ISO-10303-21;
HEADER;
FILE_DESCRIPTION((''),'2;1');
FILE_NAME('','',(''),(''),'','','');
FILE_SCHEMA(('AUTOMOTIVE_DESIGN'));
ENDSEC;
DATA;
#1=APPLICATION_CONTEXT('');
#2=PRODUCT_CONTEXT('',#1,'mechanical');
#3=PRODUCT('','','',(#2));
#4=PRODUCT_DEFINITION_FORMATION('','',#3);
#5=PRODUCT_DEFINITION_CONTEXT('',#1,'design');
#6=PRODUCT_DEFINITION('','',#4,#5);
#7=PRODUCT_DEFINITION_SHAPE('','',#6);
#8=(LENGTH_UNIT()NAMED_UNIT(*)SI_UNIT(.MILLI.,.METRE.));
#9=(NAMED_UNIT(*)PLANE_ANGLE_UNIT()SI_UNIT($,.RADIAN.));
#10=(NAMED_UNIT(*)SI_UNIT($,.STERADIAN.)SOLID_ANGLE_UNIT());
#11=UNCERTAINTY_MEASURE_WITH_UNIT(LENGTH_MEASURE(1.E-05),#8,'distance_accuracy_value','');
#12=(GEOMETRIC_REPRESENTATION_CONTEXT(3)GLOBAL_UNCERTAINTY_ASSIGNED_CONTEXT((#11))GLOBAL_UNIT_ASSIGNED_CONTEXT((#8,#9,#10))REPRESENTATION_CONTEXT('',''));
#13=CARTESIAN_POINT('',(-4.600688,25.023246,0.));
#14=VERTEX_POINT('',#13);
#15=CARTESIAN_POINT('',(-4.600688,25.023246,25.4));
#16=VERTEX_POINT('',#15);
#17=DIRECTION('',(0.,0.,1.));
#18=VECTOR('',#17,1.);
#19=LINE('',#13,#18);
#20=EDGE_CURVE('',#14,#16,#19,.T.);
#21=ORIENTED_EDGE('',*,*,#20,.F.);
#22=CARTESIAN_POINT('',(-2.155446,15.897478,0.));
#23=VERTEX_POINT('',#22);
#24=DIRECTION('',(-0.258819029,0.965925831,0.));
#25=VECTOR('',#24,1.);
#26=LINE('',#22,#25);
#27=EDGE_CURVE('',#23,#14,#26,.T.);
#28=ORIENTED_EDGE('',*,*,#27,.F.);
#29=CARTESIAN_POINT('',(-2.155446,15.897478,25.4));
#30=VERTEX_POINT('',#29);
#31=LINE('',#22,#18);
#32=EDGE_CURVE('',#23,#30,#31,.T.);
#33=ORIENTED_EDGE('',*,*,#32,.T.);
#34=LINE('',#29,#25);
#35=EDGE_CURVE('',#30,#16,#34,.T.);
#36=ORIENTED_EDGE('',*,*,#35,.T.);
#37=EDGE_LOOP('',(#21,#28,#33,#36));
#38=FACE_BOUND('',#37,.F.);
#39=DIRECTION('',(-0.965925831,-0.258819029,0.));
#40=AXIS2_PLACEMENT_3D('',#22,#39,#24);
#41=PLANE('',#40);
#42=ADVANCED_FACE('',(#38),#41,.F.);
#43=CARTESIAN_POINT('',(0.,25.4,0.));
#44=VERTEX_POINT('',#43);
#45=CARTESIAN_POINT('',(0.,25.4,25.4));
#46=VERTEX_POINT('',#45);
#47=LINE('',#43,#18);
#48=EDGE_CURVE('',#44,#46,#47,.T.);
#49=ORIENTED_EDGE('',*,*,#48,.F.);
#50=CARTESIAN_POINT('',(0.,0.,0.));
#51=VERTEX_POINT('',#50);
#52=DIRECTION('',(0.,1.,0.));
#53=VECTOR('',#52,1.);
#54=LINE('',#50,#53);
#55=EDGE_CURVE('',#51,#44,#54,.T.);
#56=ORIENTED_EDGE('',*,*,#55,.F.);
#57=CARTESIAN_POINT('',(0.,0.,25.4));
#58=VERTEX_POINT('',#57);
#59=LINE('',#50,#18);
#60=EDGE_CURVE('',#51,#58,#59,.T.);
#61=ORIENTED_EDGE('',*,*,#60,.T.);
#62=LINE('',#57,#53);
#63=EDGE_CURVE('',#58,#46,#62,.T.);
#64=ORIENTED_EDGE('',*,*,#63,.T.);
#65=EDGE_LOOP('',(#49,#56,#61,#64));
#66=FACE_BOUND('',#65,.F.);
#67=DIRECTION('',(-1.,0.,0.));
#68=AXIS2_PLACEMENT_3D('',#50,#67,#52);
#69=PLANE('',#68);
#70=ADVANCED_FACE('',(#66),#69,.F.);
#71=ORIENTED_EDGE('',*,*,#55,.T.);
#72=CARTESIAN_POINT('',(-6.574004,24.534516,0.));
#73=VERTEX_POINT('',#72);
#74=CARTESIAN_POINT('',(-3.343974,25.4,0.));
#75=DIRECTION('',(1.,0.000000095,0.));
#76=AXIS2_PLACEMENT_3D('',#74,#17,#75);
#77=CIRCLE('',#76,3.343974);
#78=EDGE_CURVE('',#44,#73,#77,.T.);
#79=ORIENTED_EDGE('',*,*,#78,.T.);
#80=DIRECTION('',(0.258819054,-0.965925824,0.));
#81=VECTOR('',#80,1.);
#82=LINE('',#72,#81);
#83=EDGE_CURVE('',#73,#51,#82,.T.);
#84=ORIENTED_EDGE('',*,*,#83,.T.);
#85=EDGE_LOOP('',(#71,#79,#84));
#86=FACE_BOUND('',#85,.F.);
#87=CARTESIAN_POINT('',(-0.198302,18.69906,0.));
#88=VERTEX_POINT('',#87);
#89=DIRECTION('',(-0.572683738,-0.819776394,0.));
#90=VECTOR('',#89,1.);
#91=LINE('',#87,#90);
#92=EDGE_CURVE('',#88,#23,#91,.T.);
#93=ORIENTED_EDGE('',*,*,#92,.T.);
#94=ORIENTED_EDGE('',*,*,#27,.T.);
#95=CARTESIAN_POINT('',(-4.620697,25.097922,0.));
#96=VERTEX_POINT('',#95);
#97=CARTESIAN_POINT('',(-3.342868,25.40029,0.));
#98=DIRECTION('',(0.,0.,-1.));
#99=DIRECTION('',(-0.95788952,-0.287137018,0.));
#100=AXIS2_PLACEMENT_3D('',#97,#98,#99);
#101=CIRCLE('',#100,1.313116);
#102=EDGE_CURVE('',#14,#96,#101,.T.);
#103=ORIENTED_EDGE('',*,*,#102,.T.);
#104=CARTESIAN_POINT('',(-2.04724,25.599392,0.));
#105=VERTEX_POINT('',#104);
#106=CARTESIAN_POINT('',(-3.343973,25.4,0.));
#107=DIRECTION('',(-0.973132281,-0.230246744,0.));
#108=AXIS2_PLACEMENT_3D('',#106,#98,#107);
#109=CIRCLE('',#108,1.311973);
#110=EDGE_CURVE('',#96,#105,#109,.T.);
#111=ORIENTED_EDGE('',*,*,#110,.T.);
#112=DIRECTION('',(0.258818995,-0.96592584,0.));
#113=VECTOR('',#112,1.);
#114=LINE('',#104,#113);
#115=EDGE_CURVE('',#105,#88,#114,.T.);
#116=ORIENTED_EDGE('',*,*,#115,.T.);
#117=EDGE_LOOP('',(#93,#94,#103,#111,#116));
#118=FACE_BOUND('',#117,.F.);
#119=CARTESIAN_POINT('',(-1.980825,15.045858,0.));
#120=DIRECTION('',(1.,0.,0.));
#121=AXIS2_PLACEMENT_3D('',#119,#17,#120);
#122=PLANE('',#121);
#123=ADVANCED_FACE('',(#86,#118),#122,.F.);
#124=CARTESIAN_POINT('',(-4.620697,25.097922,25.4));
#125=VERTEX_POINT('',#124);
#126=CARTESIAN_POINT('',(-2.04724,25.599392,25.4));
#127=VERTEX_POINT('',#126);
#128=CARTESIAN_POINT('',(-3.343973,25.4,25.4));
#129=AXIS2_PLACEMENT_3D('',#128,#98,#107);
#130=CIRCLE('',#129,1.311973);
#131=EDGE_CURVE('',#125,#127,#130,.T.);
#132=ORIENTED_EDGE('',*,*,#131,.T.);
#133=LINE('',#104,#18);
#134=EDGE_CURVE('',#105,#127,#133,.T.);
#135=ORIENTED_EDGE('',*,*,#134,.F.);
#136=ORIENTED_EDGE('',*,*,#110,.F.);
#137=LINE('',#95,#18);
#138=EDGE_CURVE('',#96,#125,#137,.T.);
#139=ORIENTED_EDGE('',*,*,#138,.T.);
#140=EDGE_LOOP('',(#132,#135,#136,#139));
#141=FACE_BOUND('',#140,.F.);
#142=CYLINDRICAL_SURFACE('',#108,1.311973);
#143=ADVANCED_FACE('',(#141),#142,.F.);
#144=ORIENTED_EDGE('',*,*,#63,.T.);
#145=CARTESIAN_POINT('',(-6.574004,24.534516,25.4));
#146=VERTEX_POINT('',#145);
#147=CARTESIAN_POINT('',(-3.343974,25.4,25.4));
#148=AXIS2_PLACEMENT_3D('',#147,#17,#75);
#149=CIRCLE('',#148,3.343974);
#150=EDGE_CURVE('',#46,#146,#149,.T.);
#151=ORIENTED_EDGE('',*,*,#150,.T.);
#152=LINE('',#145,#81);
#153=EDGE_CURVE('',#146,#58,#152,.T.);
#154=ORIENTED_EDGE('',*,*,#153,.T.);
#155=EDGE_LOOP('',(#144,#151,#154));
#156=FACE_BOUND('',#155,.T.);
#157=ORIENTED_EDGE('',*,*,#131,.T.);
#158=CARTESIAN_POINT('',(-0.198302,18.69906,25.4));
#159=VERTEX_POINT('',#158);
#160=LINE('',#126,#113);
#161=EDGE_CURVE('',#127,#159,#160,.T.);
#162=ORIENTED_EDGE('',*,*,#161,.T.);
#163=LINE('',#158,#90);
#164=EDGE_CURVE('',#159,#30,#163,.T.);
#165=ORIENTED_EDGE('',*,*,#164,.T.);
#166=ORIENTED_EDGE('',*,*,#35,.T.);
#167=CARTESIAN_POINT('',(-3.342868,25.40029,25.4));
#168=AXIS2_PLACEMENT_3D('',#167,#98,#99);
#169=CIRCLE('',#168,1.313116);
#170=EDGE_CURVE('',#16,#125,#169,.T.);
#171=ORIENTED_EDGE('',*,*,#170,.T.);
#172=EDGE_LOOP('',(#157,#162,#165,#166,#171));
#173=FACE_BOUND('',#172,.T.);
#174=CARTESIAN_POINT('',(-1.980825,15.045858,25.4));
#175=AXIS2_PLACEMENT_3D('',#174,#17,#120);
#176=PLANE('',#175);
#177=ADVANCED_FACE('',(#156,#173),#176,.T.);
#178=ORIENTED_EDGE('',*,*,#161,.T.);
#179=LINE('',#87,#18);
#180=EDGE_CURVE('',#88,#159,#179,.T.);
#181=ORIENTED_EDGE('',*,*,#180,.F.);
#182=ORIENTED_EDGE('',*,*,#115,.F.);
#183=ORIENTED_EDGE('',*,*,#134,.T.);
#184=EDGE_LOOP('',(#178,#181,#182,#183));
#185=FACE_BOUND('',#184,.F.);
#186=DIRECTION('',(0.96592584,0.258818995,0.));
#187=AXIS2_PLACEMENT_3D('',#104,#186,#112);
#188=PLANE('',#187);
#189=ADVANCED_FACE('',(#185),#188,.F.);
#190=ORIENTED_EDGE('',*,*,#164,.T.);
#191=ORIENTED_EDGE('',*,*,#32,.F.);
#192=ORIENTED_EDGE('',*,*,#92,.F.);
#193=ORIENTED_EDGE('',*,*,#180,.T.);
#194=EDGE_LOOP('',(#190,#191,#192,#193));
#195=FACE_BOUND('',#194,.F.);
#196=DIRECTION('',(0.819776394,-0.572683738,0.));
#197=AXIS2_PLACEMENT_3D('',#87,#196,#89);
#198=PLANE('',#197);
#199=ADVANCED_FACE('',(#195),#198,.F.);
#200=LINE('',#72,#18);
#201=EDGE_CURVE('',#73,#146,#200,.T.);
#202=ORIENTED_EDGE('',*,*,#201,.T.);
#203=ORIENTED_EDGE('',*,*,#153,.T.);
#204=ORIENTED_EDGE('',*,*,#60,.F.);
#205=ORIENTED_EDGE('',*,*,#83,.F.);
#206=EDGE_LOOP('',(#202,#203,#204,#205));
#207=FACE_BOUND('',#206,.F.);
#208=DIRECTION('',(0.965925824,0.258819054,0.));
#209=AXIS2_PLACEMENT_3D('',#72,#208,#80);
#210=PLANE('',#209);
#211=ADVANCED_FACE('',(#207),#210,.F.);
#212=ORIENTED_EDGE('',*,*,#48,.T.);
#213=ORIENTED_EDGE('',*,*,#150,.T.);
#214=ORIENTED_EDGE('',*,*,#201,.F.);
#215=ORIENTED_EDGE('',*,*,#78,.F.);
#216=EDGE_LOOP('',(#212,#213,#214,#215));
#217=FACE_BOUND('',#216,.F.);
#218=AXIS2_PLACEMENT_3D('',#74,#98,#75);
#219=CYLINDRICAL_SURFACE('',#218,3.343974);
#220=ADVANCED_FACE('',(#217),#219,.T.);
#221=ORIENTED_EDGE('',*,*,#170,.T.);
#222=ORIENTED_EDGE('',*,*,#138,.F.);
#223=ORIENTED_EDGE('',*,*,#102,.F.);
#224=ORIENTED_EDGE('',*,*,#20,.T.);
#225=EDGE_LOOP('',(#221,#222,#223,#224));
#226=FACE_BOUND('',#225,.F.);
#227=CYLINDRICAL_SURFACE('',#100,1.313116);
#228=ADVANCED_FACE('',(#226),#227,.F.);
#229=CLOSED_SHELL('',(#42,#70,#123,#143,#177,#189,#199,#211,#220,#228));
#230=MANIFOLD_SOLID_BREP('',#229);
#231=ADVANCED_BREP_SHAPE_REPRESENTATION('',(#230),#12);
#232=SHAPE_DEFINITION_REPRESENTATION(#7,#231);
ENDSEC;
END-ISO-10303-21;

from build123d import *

# Parameters (mm, degrees)
F1_DEPTH = 25.4


with BuildPart() as f1:
    # F0 (on Top) → F1 (new body)
    with BuildSketch(Plane.XY):
        with BuildLine():
            Line((-6.574004, 24.534516), (0, 0))
            Line((0, 0), (0, 25.4))
            ThreePointArc((0, 25.4), (-3.78045, 28.715365), (-6.574004, 24.534516))
        make_face()
        with BuildLine():
            ThreePointArc((-4.620697, 25.097922), (-3.594908, 26.687752), (-2.04724, 25.599392))
            Line((-2.04724, 25.599392), (-0.198302, 18.69906))
            Line((-0.198302, 18.69906), (-2.155446, 15.897478))
            Line((-2.155446, 15.897478), (-4.600688, 25.023246))
            ThreePointArc((-4.600688, 25.023246), (-4.611242, 25.060436), (-4.620697, 25.097922))
        make_face(mode=Mode.SUBTRACT)
    extrude(amount=F1_DEPTH)


solid = f1.part
